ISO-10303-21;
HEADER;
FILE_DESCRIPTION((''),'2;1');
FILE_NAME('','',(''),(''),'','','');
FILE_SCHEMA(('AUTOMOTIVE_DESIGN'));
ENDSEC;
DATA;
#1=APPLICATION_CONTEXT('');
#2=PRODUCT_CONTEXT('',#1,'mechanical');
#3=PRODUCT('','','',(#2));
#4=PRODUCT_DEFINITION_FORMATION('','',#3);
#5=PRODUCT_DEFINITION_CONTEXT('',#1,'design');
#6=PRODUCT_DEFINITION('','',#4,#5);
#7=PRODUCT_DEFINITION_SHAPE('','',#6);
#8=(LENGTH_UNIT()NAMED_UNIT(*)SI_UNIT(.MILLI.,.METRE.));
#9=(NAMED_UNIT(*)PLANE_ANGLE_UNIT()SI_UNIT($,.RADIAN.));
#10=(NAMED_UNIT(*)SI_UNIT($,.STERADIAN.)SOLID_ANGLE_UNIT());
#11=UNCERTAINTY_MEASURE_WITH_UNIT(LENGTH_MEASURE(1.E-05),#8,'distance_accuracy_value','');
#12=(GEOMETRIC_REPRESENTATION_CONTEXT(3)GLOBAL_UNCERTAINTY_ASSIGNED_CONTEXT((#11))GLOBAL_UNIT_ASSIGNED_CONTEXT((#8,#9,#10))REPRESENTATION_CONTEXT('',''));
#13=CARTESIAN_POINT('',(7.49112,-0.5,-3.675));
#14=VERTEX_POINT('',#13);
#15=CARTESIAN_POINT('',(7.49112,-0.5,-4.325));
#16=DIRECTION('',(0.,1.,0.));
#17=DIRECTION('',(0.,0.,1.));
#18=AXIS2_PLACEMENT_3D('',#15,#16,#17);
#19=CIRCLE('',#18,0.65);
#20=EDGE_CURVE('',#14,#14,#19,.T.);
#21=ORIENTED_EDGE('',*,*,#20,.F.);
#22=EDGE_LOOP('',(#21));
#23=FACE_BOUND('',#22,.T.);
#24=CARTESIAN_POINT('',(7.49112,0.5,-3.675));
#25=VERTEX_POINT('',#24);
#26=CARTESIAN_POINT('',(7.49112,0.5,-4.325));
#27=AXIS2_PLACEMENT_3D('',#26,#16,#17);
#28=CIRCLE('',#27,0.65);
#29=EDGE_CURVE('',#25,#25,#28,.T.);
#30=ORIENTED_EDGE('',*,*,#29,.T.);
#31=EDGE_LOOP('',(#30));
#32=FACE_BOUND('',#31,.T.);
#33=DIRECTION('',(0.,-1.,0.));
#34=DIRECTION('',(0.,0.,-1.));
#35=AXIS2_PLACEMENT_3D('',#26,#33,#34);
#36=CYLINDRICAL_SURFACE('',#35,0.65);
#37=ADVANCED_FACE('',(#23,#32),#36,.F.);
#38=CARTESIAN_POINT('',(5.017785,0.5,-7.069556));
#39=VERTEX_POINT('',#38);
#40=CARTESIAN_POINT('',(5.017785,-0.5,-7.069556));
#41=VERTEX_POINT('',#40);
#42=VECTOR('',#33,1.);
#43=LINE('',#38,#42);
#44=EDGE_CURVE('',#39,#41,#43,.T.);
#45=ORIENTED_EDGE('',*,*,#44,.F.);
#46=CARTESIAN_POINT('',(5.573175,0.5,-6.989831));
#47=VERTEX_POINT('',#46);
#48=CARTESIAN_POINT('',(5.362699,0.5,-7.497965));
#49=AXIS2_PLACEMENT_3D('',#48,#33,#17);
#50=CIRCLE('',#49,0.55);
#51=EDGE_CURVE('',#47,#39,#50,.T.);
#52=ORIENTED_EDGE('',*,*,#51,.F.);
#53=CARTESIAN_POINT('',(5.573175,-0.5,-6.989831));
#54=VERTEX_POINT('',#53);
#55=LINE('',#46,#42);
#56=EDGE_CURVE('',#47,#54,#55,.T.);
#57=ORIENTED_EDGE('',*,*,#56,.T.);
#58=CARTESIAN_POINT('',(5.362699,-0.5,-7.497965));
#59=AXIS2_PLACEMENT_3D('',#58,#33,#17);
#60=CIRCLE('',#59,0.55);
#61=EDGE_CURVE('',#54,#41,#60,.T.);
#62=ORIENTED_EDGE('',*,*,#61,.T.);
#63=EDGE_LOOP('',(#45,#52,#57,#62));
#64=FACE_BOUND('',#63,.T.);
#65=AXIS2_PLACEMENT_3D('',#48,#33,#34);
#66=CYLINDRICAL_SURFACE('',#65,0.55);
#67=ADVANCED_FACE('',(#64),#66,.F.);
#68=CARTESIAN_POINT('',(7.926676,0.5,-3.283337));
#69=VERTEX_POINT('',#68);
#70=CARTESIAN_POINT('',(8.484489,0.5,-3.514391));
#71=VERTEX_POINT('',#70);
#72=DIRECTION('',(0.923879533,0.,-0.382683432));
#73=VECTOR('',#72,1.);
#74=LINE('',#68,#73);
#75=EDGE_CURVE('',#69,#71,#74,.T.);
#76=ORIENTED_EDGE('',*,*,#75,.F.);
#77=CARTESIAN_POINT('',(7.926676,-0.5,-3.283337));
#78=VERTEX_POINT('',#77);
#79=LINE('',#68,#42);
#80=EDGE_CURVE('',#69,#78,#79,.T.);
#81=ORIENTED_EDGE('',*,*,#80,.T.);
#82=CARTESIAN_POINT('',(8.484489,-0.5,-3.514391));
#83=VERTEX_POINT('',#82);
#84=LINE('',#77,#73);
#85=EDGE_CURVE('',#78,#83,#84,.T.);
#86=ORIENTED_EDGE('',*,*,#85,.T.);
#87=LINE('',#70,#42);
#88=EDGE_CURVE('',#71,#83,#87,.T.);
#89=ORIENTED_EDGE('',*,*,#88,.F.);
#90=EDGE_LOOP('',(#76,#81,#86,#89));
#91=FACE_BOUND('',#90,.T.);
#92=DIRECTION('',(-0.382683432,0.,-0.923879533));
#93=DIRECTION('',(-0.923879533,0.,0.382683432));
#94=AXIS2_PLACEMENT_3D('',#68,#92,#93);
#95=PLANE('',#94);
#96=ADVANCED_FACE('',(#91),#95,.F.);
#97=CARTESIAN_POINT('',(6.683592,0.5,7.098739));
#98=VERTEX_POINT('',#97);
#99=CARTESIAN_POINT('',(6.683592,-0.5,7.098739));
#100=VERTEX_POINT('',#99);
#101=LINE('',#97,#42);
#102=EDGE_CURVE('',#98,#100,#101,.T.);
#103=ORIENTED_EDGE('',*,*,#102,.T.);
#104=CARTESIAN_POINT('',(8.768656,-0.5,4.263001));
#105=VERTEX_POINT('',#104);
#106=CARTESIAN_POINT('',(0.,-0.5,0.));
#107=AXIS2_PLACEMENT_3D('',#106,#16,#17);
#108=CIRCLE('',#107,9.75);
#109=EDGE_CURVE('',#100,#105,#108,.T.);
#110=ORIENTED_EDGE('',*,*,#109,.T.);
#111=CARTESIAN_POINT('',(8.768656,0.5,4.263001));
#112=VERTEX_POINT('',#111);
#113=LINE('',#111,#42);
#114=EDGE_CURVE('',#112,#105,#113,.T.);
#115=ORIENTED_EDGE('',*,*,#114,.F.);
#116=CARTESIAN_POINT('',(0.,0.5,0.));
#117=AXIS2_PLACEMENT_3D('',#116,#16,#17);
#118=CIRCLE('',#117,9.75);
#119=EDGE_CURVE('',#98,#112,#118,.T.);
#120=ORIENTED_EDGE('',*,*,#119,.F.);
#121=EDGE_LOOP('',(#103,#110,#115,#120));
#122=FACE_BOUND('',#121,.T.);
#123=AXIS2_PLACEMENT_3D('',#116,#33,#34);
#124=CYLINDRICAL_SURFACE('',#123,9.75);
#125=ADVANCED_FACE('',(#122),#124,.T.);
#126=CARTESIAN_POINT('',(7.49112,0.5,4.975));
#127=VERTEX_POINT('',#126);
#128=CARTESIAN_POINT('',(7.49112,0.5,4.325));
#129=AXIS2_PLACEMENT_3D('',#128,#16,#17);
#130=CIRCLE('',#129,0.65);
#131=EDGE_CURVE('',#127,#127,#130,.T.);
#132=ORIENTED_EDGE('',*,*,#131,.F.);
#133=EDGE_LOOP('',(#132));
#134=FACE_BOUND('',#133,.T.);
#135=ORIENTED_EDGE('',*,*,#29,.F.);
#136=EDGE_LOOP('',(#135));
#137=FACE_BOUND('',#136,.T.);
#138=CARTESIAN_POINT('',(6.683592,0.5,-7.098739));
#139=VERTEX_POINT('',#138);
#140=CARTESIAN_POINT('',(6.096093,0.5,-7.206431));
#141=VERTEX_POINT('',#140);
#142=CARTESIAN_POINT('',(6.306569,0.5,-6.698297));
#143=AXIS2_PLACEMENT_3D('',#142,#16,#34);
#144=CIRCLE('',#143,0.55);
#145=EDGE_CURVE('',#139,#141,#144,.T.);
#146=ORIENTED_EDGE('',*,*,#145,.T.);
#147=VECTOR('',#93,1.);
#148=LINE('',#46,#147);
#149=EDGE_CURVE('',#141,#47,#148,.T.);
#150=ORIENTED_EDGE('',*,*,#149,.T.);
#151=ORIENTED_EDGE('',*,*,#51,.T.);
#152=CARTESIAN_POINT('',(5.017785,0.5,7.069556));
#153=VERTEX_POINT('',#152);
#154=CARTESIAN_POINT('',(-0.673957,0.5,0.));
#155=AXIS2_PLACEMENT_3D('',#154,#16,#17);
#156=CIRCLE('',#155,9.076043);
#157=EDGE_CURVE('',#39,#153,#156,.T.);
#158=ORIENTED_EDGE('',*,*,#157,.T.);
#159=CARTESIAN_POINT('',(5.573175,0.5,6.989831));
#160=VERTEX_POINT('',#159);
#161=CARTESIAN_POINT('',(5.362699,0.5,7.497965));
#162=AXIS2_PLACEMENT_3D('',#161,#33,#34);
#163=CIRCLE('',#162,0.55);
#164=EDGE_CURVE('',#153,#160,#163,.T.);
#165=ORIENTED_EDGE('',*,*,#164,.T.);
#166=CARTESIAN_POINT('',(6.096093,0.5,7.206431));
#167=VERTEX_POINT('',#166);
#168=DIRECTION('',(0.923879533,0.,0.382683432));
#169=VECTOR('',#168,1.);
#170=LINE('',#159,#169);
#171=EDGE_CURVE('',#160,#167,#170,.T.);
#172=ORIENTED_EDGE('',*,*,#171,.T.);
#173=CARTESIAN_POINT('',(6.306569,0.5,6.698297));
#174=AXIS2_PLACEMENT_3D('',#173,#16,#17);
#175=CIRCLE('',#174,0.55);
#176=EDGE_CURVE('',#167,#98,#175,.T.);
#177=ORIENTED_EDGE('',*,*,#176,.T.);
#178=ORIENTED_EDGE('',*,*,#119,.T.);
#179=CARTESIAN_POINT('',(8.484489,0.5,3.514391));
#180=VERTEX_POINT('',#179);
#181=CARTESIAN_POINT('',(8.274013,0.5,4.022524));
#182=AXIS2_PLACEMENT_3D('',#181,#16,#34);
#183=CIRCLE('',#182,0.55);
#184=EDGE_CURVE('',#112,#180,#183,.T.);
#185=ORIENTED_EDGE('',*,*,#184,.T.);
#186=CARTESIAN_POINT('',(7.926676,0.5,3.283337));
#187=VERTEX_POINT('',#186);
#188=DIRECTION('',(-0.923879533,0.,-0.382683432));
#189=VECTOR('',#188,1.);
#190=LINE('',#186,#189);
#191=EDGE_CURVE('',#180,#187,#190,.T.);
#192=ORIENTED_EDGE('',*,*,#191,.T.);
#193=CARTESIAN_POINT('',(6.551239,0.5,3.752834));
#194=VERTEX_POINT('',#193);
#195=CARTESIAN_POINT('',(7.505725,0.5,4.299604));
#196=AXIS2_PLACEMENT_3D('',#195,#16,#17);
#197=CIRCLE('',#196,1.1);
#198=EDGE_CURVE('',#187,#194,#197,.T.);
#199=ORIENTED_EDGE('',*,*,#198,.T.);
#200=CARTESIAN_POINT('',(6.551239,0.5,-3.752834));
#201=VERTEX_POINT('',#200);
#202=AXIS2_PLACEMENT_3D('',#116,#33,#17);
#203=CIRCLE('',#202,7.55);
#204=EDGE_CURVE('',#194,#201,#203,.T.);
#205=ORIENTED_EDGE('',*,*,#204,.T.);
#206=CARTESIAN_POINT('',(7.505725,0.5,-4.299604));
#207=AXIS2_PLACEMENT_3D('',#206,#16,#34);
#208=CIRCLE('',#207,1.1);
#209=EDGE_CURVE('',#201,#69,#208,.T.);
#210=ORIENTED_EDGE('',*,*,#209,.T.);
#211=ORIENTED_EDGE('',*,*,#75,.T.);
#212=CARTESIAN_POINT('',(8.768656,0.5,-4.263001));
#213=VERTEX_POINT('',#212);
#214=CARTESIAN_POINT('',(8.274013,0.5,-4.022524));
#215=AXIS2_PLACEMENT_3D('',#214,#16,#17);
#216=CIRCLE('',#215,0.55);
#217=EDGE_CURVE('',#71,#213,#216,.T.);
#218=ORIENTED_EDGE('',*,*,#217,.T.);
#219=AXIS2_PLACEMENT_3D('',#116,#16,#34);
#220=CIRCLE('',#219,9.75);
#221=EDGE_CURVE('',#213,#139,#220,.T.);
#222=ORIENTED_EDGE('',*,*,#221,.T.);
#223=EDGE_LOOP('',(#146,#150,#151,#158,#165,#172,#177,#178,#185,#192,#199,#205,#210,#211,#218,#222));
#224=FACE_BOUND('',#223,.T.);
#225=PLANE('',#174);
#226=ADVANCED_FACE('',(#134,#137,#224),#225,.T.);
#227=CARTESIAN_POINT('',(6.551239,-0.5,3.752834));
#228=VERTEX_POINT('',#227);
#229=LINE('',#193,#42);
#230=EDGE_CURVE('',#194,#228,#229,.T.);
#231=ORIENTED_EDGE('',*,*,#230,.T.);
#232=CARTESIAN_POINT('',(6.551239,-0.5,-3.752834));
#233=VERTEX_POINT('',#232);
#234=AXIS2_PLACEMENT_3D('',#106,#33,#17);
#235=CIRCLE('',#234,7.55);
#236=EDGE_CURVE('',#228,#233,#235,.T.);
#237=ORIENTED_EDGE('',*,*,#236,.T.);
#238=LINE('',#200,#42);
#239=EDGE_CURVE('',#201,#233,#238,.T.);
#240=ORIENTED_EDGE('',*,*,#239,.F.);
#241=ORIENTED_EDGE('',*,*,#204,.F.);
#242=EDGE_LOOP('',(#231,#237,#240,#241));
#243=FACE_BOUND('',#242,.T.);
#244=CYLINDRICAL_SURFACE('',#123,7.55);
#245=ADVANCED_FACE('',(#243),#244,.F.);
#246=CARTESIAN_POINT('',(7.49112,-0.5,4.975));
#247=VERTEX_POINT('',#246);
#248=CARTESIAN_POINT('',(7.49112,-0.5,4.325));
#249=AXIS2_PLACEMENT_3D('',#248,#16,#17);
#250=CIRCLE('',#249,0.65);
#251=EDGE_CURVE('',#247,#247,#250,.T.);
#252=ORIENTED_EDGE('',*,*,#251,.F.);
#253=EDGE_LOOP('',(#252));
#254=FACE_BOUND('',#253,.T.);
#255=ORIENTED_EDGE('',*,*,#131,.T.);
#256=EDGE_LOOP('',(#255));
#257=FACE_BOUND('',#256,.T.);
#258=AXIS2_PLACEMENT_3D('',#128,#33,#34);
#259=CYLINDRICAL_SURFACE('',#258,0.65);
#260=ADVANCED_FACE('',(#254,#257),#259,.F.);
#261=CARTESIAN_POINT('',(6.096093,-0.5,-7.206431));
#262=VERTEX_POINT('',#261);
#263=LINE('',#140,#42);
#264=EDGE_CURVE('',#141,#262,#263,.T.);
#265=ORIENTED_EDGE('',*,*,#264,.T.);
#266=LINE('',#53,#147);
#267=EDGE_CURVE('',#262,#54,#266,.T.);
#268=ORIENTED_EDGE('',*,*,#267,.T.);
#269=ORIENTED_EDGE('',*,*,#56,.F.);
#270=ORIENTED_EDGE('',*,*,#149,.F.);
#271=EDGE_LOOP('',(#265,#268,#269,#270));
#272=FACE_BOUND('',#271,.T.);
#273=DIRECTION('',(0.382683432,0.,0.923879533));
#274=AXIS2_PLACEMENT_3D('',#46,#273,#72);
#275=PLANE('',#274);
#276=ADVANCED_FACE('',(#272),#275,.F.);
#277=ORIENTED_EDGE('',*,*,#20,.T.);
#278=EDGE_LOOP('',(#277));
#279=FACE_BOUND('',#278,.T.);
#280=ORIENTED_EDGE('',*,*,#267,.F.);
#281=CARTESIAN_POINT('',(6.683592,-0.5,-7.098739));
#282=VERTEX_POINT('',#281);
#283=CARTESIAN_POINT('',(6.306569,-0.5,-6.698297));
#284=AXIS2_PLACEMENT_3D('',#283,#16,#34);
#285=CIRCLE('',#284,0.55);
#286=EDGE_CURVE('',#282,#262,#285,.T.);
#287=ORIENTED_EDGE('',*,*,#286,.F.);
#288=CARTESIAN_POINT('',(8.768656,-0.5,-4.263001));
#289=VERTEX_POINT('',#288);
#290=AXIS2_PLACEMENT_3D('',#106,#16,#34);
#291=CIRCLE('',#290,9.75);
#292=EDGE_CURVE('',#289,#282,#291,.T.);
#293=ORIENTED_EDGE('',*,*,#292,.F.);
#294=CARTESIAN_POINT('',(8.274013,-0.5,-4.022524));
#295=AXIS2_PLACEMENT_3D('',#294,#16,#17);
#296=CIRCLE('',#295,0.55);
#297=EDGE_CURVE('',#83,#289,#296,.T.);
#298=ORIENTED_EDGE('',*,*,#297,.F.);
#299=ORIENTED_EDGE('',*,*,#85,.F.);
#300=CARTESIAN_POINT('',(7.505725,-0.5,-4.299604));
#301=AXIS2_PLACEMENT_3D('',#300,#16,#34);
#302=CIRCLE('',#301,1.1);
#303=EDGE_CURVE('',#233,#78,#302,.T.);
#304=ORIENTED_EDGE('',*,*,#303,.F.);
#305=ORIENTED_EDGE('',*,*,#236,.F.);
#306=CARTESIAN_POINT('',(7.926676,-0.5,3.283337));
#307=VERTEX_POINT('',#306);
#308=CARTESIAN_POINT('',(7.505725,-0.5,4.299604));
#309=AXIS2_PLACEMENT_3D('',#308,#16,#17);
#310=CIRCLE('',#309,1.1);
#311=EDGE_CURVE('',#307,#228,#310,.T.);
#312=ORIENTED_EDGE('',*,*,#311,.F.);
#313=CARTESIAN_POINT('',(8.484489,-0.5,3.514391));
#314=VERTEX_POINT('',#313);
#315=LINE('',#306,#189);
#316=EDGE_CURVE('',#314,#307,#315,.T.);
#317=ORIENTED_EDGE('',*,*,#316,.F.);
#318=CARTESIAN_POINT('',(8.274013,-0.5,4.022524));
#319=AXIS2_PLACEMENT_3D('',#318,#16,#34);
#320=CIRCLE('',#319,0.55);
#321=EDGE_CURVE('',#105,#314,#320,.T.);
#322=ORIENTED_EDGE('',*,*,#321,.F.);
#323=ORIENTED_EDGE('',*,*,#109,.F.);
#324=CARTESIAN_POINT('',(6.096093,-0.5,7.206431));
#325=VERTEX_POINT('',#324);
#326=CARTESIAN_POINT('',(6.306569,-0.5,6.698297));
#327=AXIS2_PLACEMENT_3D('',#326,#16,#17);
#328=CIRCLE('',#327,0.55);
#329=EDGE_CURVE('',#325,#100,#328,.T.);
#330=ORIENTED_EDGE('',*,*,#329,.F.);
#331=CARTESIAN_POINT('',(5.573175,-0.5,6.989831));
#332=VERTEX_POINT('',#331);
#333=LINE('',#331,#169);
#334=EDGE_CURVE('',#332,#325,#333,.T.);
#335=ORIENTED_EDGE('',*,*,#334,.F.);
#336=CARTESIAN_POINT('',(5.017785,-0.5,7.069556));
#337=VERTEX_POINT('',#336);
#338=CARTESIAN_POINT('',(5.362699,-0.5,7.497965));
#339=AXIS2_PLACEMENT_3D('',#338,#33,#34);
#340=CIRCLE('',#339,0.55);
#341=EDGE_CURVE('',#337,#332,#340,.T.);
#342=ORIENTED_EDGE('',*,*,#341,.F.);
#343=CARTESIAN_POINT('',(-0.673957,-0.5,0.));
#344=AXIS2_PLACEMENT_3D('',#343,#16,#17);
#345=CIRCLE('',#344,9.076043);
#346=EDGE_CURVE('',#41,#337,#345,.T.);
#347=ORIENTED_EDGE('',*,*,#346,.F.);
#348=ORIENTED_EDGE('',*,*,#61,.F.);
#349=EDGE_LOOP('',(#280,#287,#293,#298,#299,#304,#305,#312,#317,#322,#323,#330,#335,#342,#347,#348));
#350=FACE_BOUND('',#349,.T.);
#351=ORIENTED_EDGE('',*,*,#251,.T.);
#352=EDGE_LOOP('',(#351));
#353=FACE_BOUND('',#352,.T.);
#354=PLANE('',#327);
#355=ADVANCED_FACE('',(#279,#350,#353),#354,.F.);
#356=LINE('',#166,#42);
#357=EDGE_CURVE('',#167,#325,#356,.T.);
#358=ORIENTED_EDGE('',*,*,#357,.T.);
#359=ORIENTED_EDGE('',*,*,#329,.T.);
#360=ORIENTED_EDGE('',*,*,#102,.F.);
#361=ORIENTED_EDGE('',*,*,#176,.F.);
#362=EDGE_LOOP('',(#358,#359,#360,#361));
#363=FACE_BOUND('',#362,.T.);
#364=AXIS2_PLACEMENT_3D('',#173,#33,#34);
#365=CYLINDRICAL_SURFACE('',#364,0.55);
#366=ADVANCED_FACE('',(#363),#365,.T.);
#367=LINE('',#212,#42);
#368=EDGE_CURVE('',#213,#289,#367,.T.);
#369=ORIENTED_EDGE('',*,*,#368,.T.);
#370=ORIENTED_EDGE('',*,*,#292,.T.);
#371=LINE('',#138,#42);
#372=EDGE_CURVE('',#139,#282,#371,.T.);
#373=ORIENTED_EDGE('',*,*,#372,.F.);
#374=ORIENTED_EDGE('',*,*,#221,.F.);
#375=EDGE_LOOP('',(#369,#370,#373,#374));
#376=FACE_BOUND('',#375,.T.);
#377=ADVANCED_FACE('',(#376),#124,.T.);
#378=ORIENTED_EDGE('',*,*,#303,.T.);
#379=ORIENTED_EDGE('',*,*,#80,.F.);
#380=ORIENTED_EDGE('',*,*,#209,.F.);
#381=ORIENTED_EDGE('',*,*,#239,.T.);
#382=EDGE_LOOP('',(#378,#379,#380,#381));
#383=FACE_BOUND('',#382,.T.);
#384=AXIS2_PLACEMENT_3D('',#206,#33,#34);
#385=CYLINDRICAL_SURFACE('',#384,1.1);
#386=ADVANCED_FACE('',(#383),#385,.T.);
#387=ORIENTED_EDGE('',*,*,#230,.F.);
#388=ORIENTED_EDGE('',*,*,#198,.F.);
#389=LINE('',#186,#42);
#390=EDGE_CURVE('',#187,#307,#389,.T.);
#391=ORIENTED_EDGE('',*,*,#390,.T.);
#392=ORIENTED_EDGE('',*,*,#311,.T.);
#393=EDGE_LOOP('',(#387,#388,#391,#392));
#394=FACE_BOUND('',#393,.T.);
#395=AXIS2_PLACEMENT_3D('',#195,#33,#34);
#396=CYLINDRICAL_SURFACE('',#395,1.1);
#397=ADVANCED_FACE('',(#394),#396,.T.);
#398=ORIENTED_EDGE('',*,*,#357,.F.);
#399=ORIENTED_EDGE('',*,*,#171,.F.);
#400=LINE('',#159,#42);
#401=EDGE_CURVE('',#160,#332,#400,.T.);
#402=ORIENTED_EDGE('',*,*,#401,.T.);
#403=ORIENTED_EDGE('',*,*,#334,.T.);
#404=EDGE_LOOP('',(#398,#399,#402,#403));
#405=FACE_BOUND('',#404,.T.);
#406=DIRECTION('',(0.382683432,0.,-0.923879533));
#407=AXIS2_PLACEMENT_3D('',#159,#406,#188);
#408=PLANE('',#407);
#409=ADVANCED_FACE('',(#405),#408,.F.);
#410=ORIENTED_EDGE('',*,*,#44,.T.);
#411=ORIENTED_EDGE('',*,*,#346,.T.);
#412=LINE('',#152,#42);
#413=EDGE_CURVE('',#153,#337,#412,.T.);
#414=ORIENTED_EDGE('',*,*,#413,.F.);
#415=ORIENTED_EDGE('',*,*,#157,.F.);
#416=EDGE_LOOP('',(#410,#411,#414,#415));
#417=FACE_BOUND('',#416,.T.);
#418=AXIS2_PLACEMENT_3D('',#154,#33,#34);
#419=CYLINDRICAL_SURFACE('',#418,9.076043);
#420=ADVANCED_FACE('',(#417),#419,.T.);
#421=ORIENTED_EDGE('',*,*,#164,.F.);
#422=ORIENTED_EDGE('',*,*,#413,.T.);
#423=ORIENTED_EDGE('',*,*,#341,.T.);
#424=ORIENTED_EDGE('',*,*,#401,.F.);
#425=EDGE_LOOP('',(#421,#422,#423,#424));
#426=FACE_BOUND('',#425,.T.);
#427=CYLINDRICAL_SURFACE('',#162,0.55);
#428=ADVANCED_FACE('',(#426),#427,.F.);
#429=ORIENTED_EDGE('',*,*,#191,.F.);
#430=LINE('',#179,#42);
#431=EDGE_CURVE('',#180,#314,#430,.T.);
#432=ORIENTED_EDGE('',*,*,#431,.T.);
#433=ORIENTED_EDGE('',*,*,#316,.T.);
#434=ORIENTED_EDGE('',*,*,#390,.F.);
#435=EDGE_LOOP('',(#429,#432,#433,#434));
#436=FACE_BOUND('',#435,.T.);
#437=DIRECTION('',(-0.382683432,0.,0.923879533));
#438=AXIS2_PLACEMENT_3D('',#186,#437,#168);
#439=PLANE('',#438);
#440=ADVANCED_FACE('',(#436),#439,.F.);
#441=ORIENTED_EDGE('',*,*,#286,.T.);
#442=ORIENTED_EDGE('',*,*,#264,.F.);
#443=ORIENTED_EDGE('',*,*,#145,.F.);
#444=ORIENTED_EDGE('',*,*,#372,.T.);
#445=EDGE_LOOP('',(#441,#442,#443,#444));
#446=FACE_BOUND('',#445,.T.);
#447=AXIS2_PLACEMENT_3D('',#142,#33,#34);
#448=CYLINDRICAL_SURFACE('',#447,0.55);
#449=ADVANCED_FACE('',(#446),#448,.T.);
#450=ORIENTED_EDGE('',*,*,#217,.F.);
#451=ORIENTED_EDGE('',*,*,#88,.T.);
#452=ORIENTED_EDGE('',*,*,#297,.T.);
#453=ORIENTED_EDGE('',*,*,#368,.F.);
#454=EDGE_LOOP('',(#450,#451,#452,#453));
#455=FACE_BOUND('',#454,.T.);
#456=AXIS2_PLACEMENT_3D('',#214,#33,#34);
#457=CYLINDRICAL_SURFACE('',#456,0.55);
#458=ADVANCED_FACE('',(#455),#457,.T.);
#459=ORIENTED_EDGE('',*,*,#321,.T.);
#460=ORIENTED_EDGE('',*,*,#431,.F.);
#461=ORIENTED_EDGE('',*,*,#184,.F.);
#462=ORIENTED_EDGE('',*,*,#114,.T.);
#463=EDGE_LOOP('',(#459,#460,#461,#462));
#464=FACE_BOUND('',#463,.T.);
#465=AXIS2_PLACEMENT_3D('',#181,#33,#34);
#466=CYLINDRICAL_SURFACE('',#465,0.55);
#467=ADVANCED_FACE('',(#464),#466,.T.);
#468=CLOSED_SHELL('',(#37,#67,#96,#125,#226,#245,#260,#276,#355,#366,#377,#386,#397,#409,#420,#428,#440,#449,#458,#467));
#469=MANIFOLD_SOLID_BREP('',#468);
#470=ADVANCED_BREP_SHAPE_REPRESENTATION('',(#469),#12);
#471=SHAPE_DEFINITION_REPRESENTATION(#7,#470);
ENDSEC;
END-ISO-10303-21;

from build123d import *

# Parameters (mm, degrees)
BOSS_EXTRUDE1_DEPTH      = 0.5
BOSS_EXTRUDE1_DEPTH_BACK = 0.5
SKETCH3_R                = 0.65


with BuildPart() as part:
    # Sketch3 → Boss-Extrude1 (new, two sides: drawn at the far end of the back side and taken through both)
    with BuildSketch(Plane(origin=(0, 0, 0), x_dir=(1, 0, 0), z_dir=(0, 1, 0)).offset(-BOSS_EXTRUDE1_DEPTH_BACK)):
        with BuildLine():
            Line((5.573175036, 6.989830952), (6.096093397, 7.206430829))
            ThreePointArc((6.096093397, 7.206430829), (6.405735278, 7.23928332), (6.683592449, 7.09873876))
            ThreePointArc((6.683592449, 7.09873876), (7.855147596, 5.775738589), (8.768655543, 4.263001286))
            ThreePointArc((8.768655543, 4.263001286), (8.788214132, 3.827338113), (8.484489323, 3.514390548))
            Line((8.484489323, 3.514390548), (7.926676414, 3.283336875))
            ThreePointArc((7.926676414, 3.283336875), (7.150377852, 3.258581469), (6.551239424, 3.752833864))
            ThreePointArc((6.551239424, 3.752833864), (-7.55, 0), (6.551239424, -3.752833864))
            ThreePointArc((6.551239424, -3.752833864), (7.150377852, -3.258581469), (7.926676414, -3.283336875))
            Line((7.926676414, -3.283336875), (8.484489323, -3.514390548))
            ThreePointArc((8.484489323, -3.514390548), (8.788214132, -3.827338113), (8.768655543, -4.263001286))
            ThreePointArc((8.768655543, -4.263001286), (7.855147596, -5.775738589), (6.683592449, -7.09873876))
            ThreePointArc((6.683592449, -7.09873876), (6.405735278, -7.23928332), (6.096093397, -7.206430829))
            Line((6.096093397, -7.206430829), (5.573175036, -6.989830952))
            ThreePointArc((5.573175036, -6.989830952), (5.284548966, -6.953545234), (5.017784709, -7.069555976))
            ThreePointArc((5.017784709, -7.069555976), (-9.75, 0), (5.017784709, 7.069555976))
            ThreePointArc((5.017784709, 7.069555976), (5.284548966, 6.953545234), (5.573175036, 6.989830952))
        make_face()
        with Locations(Location((7.491119743, -4.325, 0), (0, 0, 270))):
            Circle(SKETCH3_R, mode=Mode.SUBTRACT)
        with Locations(Location((7.491119743, 4.325, 0), (0, 0, 270))):
            Circle(SKETCH3_R, mode=Mode.SUBTRACT)
    extrude(amount=BOSS_EXTRUDE1_DEPTH + BOSS_EXTRUDE1_DEPTH_BACK)


solid = part.part
